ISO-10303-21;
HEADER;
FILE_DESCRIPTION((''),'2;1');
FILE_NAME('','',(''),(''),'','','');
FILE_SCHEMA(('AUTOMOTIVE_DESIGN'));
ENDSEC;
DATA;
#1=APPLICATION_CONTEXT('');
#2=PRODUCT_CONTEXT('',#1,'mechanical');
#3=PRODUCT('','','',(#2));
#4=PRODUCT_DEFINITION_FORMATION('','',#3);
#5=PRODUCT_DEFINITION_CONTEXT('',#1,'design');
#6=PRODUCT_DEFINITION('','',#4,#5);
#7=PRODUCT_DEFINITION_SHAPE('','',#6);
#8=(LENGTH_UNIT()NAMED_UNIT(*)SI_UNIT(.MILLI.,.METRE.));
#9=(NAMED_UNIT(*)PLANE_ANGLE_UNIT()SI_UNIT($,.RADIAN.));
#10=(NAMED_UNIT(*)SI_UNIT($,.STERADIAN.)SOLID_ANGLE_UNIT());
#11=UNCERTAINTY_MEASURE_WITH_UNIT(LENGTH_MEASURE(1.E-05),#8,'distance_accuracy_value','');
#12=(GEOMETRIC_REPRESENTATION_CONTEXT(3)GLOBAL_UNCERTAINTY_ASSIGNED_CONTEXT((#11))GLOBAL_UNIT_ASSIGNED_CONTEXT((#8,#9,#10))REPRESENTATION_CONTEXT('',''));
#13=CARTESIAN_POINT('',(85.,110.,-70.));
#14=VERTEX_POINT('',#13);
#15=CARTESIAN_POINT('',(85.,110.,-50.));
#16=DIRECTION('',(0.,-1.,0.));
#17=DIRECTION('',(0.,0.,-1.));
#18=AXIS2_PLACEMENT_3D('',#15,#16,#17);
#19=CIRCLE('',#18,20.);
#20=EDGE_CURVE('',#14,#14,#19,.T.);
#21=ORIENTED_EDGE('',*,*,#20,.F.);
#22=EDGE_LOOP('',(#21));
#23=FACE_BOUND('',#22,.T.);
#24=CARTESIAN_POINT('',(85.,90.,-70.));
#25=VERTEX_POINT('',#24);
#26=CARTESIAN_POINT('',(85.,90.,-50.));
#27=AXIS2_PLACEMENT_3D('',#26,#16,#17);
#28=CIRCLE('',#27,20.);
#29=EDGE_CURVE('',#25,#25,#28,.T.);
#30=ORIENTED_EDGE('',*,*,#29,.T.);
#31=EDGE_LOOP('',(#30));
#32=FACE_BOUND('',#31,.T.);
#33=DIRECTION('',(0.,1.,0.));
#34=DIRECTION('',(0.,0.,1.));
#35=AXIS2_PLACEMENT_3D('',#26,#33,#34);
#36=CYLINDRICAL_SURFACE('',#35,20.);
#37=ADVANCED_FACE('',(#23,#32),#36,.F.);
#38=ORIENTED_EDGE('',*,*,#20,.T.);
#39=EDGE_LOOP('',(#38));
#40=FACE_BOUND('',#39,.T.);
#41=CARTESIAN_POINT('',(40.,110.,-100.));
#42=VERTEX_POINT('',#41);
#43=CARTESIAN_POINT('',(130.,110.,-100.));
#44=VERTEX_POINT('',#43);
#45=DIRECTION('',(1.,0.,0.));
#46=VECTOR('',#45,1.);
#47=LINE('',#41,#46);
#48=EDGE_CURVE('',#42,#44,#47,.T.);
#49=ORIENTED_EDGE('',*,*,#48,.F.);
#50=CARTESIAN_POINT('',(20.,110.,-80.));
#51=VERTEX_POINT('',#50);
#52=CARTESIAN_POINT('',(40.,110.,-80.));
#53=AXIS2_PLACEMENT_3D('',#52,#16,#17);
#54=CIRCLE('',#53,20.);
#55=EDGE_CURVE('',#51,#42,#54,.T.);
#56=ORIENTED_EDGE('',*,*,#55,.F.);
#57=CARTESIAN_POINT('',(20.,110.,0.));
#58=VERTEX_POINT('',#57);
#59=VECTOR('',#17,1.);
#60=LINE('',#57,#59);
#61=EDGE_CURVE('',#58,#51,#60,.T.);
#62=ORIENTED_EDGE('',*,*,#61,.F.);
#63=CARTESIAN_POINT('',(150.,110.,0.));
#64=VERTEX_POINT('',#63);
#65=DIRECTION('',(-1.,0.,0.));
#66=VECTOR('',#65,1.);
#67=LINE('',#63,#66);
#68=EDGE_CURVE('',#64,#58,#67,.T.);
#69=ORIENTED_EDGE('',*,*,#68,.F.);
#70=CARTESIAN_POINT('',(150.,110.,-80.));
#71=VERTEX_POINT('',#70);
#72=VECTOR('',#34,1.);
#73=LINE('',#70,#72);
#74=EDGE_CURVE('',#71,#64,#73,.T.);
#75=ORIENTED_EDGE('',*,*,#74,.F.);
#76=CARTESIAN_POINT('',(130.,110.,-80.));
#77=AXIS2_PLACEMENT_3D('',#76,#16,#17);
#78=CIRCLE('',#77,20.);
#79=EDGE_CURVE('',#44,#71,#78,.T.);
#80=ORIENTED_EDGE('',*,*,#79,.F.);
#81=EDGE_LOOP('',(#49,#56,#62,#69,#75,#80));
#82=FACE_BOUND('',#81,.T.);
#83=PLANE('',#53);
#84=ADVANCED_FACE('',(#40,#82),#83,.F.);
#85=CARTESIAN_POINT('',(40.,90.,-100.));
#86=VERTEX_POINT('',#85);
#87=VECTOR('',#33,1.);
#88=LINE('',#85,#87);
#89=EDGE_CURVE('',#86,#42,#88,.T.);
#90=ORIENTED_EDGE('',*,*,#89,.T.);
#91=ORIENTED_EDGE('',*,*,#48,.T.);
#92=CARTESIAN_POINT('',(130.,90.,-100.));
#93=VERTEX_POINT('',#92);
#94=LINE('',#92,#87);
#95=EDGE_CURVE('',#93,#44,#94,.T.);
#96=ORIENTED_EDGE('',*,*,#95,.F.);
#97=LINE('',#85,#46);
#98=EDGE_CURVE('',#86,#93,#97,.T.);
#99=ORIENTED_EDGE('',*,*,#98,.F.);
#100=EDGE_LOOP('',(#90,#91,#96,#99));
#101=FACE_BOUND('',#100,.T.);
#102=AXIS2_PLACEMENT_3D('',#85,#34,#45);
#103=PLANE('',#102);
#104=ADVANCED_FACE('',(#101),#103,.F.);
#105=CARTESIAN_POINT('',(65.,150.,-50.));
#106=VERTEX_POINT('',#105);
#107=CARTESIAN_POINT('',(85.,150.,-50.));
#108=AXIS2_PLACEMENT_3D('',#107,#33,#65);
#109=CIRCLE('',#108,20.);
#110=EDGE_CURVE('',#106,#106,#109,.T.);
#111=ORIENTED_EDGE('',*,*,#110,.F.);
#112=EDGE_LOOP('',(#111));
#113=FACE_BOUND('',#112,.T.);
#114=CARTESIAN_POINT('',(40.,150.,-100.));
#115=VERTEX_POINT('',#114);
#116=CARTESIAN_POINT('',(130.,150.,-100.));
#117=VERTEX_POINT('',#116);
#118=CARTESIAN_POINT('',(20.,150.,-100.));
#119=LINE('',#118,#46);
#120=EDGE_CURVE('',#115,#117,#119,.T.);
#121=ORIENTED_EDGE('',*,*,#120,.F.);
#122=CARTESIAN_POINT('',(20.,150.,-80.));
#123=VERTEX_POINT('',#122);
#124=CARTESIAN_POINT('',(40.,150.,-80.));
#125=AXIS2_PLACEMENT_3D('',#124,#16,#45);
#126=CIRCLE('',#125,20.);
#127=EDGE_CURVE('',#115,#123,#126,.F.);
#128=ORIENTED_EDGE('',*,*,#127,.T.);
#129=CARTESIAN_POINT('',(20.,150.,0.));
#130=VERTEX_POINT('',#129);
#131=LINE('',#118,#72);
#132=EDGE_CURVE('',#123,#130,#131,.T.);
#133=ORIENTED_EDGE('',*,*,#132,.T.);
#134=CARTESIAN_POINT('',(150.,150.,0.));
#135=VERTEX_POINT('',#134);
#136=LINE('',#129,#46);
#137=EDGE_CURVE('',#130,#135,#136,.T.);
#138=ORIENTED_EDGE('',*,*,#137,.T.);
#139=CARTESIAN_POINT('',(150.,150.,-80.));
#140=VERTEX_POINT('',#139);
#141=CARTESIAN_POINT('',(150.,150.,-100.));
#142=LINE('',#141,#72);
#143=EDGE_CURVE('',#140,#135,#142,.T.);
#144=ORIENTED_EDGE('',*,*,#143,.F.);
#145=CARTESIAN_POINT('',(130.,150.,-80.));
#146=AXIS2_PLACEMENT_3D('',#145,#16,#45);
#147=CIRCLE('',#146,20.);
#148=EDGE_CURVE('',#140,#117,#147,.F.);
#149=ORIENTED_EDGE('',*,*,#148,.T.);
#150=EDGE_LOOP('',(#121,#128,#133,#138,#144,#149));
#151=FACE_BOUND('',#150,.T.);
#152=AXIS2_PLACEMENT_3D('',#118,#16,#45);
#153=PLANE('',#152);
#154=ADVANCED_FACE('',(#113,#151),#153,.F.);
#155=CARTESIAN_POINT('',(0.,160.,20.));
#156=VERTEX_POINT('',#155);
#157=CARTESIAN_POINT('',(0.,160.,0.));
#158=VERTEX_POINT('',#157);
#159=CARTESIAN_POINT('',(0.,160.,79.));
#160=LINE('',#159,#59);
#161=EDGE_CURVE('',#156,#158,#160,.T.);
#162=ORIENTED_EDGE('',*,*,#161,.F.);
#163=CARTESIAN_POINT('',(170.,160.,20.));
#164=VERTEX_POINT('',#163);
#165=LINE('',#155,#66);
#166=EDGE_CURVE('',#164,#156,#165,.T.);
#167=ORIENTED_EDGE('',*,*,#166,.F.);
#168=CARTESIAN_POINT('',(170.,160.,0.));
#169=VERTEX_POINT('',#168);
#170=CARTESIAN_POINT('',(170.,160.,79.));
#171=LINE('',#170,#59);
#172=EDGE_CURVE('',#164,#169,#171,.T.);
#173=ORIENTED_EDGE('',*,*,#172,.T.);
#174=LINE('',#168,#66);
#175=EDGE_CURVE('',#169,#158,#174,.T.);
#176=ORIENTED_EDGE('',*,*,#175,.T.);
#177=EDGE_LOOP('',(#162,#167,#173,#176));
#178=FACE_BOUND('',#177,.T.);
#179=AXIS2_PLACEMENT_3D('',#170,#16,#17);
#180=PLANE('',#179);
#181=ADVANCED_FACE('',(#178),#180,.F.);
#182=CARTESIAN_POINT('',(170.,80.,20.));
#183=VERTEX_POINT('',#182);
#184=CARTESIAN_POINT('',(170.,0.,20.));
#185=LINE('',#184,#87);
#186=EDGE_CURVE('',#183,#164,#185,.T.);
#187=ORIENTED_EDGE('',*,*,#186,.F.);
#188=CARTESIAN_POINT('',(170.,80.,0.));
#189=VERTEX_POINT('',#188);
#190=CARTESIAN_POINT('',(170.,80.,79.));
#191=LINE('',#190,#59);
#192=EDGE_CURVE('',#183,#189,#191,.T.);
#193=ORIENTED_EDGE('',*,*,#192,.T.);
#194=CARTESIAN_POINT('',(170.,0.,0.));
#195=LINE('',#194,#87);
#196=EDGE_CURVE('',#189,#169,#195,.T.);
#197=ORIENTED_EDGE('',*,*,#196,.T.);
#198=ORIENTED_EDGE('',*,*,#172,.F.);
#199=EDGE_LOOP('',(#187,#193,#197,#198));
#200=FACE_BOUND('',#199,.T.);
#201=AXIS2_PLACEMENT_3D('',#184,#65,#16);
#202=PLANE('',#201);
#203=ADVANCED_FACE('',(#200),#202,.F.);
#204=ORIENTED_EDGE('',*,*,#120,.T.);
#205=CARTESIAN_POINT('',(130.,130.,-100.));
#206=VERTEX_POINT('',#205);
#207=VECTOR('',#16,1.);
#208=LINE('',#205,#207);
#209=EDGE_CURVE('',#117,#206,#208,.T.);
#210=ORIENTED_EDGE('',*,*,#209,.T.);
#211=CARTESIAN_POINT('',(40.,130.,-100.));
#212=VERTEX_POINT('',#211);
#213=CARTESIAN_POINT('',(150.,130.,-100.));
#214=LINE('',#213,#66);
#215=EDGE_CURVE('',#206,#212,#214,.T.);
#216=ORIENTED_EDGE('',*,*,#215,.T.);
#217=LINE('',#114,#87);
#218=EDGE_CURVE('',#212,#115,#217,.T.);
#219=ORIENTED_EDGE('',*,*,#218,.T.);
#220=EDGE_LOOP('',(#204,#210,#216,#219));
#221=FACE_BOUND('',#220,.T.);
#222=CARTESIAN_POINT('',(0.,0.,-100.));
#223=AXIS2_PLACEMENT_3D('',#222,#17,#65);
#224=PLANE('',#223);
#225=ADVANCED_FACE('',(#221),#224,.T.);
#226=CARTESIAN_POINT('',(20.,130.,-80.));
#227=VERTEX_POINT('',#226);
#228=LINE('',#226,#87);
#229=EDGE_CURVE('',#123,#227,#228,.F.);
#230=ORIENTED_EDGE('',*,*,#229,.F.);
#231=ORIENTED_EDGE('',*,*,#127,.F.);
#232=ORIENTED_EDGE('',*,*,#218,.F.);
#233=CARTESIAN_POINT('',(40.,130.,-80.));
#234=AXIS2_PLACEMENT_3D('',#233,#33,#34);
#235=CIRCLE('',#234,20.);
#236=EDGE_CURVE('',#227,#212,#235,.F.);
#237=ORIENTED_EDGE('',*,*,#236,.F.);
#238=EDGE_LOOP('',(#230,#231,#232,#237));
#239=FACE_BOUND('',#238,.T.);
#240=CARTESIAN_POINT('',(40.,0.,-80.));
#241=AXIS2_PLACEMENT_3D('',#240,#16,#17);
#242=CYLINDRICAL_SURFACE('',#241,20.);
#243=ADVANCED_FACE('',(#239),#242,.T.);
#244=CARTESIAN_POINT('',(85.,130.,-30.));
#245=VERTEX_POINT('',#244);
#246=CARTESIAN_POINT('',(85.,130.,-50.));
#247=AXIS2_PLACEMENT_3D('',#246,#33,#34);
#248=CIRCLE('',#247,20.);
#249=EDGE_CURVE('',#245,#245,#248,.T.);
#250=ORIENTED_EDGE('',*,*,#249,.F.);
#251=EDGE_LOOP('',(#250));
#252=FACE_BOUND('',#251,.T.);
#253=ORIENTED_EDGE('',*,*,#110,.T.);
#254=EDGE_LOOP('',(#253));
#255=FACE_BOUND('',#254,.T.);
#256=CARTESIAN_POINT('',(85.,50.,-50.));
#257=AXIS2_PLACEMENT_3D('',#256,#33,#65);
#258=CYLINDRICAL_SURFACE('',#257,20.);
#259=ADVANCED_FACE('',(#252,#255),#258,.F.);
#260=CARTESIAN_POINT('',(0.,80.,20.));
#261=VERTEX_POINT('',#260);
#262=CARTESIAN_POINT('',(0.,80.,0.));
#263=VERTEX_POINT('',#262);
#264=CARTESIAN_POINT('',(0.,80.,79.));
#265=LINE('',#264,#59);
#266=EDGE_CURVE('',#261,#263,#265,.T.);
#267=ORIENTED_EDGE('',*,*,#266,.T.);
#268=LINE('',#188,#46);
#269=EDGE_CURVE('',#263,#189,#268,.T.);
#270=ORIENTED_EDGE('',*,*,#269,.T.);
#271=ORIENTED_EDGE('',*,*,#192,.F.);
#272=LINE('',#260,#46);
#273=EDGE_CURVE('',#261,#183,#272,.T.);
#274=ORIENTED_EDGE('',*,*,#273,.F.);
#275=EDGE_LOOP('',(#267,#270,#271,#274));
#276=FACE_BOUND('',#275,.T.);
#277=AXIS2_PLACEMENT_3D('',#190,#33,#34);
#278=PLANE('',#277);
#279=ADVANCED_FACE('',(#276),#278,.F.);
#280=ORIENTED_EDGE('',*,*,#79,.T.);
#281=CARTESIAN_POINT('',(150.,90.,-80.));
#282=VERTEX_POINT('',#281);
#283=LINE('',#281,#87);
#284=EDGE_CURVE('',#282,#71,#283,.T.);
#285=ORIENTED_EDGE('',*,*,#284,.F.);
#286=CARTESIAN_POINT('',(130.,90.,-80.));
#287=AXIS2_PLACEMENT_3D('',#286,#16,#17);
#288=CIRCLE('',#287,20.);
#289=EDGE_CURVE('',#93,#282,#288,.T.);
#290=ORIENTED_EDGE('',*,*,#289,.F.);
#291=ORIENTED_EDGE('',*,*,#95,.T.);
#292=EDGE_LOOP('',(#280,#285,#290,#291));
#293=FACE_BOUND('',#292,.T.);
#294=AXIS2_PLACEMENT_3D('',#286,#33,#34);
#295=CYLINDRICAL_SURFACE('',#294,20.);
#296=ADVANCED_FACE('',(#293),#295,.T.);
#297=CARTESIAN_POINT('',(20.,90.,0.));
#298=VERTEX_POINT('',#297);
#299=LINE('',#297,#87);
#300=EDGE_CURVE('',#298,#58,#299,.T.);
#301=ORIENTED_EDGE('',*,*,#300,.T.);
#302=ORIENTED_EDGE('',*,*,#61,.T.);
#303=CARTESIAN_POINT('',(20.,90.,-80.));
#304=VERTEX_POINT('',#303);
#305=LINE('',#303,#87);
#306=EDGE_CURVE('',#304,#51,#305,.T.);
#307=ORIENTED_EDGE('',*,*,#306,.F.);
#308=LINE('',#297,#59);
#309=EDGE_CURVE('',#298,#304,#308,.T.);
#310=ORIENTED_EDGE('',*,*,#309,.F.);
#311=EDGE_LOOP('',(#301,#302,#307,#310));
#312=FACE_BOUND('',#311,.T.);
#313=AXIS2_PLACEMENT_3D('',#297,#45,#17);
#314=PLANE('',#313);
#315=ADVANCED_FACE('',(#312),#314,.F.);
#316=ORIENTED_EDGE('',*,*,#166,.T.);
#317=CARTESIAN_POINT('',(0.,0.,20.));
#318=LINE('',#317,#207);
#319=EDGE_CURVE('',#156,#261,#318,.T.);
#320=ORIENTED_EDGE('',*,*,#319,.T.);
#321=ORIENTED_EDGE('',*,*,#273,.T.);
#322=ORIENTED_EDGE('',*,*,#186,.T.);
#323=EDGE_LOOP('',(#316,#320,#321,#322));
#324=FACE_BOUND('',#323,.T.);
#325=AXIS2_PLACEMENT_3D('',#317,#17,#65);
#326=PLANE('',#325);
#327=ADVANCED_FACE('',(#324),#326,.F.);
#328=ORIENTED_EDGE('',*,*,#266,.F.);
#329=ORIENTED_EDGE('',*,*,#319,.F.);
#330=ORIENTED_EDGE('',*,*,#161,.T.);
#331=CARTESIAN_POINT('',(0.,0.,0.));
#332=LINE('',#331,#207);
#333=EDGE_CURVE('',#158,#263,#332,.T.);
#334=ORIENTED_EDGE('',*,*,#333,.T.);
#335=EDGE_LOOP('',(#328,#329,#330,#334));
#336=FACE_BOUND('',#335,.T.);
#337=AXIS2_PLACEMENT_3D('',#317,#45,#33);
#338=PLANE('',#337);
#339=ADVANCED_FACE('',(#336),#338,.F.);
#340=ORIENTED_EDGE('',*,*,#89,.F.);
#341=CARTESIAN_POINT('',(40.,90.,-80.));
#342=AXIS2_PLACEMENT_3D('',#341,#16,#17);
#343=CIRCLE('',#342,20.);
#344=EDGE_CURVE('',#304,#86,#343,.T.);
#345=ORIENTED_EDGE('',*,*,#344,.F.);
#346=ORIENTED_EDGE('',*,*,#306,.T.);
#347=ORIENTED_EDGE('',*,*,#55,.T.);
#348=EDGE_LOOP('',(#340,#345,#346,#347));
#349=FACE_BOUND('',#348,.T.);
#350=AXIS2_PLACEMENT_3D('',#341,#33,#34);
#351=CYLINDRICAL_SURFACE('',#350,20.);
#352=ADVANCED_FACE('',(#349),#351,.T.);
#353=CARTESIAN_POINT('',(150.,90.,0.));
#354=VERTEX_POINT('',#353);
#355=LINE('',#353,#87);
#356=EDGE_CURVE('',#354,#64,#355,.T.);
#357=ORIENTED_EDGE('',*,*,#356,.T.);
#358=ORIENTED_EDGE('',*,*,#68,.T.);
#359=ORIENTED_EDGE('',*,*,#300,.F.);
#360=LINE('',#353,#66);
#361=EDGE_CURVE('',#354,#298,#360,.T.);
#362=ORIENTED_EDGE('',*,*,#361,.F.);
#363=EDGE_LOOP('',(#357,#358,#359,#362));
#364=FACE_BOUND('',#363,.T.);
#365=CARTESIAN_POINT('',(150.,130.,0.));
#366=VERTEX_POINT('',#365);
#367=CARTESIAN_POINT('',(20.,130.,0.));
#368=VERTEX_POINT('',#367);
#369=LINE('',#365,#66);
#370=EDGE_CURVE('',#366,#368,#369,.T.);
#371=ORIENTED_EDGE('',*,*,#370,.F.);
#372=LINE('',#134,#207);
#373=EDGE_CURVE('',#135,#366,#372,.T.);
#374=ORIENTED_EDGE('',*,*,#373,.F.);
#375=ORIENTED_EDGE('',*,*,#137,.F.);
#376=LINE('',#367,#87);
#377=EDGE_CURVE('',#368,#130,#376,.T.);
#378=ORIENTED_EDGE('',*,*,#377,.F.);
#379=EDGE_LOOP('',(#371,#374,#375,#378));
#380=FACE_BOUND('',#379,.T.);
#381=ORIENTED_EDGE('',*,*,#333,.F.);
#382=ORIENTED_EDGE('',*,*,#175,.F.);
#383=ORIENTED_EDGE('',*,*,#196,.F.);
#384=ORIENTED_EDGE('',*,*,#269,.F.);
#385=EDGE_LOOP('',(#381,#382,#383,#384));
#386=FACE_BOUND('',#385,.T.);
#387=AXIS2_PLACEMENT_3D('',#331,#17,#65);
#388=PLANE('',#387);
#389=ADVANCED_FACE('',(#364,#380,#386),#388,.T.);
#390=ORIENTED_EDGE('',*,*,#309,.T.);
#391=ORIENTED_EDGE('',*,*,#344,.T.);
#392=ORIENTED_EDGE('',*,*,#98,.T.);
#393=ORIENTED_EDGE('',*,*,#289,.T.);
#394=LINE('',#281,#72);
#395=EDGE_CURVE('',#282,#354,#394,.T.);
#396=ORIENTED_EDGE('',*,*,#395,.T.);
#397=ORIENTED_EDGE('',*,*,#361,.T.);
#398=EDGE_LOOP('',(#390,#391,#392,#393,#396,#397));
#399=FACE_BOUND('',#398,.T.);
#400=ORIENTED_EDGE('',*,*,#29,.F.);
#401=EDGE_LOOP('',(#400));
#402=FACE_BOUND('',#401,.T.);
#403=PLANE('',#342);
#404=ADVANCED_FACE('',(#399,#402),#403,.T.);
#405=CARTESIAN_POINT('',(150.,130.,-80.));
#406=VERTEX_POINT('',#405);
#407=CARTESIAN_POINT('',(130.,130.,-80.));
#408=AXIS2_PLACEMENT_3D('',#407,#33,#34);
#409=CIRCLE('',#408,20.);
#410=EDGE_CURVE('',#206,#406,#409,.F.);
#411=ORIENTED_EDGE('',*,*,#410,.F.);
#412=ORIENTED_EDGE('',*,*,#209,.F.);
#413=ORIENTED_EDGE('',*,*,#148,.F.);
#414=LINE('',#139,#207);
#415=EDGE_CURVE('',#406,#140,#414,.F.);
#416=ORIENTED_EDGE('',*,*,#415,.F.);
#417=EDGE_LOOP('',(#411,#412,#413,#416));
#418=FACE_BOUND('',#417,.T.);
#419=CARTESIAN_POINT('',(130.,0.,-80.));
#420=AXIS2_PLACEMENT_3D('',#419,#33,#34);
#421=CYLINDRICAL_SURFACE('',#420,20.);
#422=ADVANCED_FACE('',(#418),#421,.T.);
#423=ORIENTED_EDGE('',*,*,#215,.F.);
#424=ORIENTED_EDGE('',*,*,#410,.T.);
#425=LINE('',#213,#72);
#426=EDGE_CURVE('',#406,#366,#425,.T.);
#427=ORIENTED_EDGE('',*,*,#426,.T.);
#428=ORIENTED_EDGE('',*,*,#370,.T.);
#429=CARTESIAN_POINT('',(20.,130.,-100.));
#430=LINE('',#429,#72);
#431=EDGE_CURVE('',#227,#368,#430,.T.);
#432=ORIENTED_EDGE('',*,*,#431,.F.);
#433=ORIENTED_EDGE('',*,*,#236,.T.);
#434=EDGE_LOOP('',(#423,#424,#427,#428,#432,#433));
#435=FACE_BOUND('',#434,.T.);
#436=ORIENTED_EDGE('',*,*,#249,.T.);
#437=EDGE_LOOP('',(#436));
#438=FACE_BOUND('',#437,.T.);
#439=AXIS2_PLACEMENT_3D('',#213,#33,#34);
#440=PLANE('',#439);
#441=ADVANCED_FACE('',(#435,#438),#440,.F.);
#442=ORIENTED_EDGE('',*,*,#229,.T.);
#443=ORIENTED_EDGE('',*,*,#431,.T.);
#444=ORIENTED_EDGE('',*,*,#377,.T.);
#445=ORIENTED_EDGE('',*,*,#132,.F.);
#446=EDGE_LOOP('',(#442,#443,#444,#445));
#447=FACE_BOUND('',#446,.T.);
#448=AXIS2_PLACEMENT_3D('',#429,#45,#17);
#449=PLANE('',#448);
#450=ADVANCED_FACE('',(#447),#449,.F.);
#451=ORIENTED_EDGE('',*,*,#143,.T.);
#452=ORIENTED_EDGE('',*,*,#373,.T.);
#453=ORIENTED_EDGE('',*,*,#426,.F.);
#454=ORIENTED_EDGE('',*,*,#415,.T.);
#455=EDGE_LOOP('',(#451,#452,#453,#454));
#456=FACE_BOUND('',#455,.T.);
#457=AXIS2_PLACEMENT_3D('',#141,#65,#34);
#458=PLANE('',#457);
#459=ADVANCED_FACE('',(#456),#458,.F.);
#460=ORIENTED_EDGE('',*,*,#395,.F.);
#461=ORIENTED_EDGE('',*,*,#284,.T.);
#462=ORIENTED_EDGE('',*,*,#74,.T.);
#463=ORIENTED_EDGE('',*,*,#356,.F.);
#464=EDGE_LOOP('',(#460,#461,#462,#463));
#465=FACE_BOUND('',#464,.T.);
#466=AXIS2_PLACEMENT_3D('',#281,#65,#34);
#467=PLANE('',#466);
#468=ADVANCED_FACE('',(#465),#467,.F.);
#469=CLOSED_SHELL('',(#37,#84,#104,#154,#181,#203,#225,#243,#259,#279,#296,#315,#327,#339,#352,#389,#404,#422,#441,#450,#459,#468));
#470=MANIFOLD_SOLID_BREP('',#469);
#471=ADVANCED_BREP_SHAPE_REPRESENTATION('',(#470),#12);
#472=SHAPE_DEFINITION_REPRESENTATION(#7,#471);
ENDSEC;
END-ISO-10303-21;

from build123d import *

# Parameters (mm, degrees)
IZIM1_W                     = 170
IZIM1_H                     = 200
Y_KSEKLIK_EKSTR_ZYON1_DEPTH = 20
IZIM2_W                     = 130
IZIM2_H                     = 20
Y_KSEKLIK_EKSTR_ZYON2_DEPTH = 100
RADYUS1_R                   = 20
IZIM3_R                     = 20
KES_EKSTR_ZYON1_DEPTH       = 100
IZIM4_R                     = 20
Y_KSEKLIK_EKSTR_ZYON3_DEPTH = 20
IZIM5_W                     = 170
IZIM5_H                     = 40
IZIM5_H_2                   = 80
KES_EKSTR_ZYON2_DEPTH       = 79


with BuildPart() as part:
    # Çizim1 → Yükseklik-Ekstrüzyon1 (new body)
    with BuildSketch(Plane.XY):
        with Locations((85, 100)):
            Rectangle(IZIM1_W, IZIM1_H)
    extrude(amount=Y_KSEKLIK_EKSTR_ZYON1_DEPTH)

    # Çizim2 → Yükseklik-Ekstrüzyon2 (add)
    with BuildSketch(Plane(origin=(0, 0, 0), x_dir=(-1, 0, 0), z_dir=(0, 0, -1))):
        with Locations((-85, 140)):
            Rectangle(IZIM2_W, IZIM2_H)
    extrude(amount=Y_KSEKLIK_EKSTR_ZYON2_DEPTH)

    # Radyus1
    radyus1_edges = [part.edges().sort_by_distance(p)[0] for p in [
        (150, 140, -100),
        (20, 140, -100),
    ]]
    fillet(radyus1_edges, radius=RADYUS1_R)

    # Çizim3 → Kes-Ekstrüzyon1 (cut)
    with BuildSketch(Plane(origin=(0, 150, 0), x_dir=(1, 0, 0), z_dir=(0, 1, 0))):
        with Locations(Location((85, 50, 0), (0, 0, 180))):
            Circle(IZIM3_R)
    extrude(amount=-KES_EKSTR_ZYON1_DEPTH, mode=Mode.SUBTRACT)

    # Çizim4 → Yükseklik-Ekstrüzyon3 (add)
    with BuildSketch(Plane(origin=(0, 110, 0), x_dir=(-1, 0, 0), z_dir=(0, -1, 0))):
        with BuildLine():
            Line((-20, 0), (-20, 80))
            ThreePointArc((-20, 80), (-25.857864376, 94.142135624), (-40, 100))
            Line((-40, 100), (-130, 100))
            ThreePointArc((-130, 100), (-144.142135624, 94.142135624), (-150, 80))
            Line((-150, 80), (-150, 0))
            Line((-150, 0), (-20, 0))
        make_face()
        with Locations((-85, 50)):
            Circle(IZIM4_R, mode=Mode.SUBTRACT)
    extrude(amount=Y_KSEKLIK_EKSTR_ZYON3_DEPTH)

    # Çizim5 → Kes-Ekstrüzyon2 (cut)
    with BuildSketch(Plane(origin=(0, 0, 0), x_dir=(-1, 0, 0), z_dir=(0, 0, -1))):
        with Locations((-85, 180)):
            Rectangle(IZIM5_W, IZIM5_H)
        with Locations((-85, 40)):
            Rectangle(IZIM5_W, IZIM5_H_2)
    extrude(amount=-KES_EKSTR_ZYON2_DEPTH, mode=Mode.SUBTRACT)


solid = part.part
